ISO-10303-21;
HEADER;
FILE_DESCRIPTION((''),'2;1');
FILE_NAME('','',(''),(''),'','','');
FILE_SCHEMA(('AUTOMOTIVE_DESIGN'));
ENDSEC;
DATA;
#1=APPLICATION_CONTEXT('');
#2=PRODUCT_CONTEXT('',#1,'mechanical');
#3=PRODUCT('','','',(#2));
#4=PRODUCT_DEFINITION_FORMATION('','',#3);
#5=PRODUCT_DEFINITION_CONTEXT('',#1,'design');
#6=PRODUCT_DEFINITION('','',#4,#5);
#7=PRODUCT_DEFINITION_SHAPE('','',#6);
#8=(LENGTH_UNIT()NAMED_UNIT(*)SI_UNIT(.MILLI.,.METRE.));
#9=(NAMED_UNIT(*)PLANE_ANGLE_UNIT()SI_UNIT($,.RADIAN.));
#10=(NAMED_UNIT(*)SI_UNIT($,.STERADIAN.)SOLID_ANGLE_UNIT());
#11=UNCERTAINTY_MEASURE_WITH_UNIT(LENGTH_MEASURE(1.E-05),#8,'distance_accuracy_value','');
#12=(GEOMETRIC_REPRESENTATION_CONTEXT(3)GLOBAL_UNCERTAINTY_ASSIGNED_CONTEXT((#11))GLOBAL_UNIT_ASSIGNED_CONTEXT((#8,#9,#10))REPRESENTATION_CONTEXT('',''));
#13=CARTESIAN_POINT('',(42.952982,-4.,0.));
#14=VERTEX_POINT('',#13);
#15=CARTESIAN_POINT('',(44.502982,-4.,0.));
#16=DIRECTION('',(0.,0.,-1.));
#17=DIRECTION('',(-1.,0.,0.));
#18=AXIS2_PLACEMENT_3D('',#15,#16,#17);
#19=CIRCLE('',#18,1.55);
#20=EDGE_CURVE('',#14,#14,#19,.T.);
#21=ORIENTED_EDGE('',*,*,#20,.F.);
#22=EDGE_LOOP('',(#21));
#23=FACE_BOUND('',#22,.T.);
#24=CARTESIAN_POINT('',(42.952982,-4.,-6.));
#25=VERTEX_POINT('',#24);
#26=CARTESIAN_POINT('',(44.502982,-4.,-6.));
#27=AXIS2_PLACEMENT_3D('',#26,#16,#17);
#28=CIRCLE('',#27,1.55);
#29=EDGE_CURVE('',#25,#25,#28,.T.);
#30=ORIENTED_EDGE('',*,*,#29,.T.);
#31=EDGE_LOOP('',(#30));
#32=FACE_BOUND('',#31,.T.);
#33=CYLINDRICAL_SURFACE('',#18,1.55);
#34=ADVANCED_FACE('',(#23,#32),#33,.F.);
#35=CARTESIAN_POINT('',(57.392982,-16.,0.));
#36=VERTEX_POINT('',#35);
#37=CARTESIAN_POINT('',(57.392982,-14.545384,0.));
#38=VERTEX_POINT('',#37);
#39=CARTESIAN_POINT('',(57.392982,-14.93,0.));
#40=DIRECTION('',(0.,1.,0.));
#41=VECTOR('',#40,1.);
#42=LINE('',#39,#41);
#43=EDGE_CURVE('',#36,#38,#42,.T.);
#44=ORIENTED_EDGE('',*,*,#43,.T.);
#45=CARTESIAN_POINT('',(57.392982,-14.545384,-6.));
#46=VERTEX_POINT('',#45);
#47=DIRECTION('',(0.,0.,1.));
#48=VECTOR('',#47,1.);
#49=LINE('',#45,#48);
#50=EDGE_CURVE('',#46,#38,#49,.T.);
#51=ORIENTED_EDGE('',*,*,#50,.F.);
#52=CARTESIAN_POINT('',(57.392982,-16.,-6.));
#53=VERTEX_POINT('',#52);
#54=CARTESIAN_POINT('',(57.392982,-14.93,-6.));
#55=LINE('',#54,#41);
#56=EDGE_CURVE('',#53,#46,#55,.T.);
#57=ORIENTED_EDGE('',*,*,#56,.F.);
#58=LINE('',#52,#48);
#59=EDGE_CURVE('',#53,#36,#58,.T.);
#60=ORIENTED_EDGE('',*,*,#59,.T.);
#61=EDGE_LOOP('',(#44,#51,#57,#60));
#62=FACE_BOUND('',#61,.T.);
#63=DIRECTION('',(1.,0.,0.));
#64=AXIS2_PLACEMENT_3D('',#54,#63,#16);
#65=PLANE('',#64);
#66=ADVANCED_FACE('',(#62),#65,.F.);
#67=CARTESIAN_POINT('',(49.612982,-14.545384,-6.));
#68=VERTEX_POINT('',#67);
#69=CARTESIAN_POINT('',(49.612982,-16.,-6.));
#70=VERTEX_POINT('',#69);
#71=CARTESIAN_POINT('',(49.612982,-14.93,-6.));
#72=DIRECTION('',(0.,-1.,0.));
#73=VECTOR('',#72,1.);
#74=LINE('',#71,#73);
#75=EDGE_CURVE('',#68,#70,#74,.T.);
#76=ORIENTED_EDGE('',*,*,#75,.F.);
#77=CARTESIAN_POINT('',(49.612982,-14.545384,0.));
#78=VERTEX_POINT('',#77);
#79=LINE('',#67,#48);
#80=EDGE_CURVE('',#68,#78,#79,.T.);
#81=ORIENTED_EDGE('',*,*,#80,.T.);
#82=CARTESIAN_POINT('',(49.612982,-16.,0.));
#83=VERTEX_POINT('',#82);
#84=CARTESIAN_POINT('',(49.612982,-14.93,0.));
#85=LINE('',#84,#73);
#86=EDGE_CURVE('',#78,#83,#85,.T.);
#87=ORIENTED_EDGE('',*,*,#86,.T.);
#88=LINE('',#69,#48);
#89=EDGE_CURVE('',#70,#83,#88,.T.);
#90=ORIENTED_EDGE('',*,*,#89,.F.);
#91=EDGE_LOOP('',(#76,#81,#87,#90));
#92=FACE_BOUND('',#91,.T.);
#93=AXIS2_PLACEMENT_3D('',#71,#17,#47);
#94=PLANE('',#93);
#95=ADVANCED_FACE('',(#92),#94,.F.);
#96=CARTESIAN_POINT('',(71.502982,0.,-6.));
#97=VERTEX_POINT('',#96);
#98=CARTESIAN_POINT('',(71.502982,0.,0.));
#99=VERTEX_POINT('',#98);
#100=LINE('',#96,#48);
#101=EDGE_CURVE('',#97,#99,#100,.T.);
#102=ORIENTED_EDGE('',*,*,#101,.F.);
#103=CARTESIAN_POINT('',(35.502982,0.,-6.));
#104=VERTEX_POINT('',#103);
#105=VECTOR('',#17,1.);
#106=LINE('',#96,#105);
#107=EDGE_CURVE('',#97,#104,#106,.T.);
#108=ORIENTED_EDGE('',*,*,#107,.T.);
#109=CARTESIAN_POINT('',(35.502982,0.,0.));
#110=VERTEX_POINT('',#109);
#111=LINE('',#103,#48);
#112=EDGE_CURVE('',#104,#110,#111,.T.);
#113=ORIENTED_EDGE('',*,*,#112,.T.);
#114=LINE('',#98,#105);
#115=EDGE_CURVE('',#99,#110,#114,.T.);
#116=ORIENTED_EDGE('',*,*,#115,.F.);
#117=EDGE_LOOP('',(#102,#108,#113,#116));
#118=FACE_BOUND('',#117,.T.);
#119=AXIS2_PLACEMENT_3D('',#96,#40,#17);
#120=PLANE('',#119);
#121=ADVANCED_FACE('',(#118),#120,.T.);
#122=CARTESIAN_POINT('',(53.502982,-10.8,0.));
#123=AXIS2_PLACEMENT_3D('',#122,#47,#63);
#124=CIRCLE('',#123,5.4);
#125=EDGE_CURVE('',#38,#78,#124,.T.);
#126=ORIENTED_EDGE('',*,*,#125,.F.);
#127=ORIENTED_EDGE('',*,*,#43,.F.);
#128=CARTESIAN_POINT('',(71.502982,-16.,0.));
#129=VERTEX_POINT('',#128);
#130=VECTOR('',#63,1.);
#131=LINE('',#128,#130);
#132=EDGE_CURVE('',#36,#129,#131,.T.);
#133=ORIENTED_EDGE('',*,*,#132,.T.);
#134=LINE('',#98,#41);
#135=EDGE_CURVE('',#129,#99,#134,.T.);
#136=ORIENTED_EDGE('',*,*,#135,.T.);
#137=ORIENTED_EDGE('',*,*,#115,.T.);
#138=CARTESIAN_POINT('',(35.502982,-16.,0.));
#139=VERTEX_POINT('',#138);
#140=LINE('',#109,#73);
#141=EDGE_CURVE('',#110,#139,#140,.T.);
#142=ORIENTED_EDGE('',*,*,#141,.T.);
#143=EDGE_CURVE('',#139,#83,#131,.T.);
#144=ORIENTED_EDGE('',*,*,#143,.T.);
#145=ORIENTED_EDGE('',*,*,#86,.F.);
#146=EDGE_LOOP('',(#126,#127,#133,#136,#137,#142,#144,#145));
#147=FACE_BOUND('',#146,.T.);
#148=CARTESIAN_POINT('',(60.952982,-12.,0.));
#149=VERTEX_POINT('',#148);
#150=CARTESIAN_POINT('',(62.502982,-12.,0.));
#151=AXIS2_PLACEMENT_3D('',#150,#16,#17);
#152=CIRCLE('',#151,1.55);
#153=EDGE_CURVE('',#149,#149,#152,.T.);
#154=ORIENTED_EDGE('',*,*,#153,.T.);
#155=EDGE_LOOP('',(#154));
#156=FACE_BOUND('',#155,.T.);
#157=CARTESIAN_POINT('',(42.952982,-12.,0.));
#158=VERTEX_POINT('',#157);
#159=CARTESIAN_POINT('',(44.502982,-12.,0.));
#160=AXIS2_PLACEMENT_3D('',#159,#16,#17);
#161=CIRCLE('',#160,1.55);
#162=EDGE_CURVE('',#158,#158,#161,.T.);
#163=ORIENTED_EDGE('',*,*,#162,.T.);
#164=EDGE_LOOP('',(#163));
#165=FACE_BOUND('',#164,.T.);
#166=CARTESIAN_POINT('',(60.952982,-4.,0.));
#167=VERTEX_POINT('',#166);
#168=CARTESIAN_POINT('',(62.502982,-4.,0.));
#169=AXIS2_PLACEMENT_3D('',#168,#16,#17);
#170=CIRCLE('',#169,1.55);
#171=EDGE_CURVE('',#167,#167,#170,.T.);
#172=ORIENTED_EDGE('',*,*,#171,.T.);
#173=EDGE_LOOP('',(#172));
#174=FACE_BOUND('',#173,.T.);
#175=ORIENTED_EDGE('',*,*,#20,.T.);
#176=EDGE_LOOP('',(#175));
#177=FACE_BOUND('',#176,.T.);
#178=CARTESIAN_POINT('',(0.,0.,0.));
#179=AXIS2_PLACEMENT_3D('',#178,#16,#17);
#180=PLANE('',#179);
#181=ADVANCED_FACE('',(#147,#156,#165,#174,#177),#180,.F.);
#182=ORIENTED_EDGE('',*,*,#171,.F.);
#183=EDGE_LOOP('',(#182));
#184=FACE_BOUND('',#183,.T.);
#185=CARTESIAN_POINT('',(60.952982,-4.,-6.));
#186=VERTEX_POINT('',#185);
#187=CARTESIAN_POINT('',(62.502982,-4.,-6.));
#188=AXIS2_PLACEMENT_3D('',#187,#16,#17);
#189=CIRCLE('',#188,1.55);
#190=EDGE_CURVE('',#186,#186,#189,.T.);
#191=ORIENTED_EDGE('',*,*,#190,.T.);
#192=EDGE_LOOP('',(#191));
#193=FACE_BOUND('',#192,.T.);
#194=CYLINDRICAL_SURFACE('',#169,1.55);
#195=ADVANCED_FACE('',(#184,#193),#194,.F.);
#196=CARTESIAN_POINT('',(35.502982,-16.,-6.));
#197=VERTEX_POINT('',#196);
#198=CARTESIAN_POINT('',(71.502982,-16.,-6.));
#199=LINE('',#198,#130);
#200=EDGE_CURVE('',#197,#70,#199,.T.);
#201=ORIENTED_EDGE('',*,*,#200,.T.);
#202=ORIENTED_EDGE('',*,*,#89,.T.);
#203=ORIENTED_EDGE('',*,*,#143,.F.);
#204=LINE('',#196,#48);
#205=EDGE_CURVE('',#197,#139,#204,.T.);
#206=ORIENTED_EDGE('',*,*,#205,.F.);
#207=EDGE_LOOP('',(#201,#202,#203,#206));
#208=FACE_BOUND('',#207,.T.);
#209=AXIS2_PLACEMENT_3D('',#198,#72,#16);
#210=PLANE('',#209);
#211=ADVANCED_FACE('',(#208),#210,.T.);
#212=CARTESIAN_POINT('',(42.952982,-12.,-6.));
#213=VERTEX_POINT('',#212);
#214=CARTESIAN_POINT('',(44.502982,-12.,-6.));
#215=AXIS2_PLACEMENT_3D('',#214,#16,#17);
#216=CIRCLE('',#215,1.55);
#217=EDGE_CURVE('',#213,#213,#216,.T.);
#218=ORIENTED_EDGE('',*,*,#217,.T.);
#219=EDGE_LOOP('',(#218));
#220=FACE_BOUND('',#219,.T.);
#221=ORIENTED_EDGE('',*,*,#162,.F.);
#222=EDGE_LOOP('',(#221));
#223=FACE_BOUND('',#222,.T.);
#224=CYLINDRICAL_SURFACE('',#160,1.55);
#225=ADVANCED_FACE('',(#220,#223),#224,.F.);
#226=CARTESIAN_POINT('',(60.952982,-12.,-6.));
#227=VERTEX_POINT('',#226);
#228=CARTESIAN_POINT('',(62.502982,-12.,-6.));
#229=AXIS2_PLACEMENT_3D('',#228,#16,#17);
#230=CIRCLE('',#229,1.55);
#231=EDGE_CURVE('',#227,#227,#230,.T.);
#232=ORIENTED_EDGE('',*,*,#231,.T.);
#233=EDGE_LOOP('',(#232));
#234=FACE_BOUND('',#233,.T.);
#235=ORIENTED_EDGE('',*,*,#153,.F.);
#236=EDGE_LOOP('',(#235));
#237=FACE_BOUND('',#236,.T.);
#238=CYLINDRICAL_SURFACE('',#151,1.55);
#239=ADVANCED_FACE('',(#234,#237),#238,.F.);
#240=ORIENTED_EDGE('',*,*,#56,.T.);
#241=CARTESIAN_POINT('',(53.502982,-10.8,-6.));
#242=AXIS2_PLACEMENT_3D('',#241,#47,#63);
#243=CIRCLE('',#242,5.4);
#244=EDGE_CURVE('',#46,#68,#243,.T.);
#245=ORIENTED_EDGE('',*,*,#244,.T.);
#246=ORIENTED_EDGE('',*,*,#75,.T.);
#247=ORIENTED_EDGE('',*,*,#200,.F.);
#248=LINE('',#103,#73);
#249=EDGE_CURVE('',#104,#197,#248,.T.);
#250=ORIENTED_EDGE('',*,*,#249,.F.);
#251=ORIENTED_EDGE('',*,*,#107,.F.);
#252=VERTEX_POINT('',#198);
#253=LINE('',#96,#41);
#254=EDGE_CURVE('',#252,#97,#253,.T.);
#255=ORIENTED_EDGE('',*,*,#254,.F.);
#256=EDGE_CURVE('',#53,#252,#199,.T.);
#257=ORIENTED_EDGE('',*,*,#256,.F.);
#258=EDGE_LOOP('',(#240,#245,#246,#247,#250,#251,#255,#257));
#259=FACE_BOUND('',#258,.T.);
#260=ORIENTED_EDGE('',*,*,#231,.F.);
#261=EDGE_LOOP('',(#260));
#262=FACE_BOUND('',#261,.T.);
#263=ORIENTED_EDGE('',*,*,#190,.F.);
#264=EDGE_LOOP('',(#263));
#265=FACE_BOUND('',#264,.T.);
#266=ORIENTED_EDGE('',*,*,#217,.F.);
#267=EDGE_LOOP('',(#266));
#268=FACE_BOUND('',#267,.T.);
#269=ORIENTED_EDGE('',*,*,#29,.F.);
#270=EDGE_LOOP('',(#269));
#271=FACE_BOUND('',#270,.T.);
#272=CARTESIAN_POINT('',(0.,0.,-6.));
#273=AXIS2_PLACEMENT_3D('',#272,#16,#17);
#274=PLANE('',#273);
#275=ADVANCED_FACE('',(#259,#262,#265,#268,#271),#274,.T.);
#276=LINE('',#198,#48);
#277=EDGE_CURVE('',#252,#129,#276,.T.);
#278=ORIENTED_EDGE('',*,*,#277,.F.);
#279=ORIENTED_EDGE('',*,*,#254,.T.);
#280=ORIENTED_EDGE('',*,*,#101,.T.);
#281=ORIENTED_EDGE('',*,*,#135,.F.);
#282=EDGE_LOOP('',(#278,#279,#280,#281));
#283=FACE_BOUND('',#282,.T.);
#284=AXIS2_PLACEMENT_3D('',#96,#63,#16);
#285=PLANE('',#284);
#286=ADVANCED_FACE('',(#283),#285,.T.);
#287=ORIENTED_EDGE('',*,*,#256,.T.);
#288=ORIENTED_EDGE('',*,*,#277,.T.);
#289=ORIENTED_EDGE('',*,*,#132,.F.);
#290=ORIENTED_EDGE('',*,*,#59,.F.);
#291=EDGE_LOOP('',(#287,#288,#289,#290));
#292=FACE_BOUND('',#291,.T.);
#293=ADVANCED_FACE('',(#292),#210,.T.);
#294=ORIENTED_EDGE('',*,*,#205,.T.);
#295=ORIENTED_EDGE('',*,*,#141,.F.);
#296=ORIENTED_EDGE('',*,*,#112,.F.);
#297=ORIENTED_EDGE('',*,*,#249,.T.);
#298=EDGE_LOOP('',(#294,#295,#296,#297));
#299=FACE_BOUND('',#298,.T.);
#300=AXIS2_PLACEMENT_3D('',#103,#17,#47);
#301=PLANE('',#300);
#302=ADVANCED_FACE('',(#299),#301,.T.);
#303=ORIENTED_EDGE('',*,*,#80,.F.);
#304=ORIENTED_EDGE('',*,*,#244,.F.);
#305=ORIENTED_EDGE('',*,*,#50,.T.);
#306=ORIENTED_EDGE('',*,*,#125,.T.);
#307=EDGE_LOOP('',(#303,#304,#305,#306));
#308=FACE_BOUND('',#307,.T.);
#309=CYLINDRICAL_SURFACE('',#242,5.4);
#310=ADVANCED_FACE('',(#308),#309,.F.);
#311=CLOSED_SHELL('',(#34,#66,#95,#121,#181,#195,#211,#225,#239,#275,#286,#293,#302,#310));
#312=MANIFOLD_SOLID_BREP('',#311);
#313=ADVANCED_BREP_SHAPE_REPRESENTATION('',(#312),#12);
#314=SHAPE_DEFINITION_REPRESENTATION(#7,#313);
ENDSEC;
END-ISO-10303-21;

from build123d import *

# Parameters (mm, degrees)
SZKIC1_W                    = 36
SZKIC1_H                    = 16
DODANIE_WYCI_GNI_CIE1_DEPTH = 6
WYTNIJ_WYCI_GNI_CIE1_DEPTH  = 6
SZKIC3_R                    = 1.55
WYTNIJ_WYCI_GNI_CIE2_DEPTH  = 74.51650454


with BuildPart() as part:
    # Szkic1 → Dodanie-wyciągnięcie1 (new body)
    with BuildSketch(Plane.XY):
        with Locations((53.502982034, -8)):
            Rectangle(SZKIC1_W, SZKIC1_H)
    extrude(amount=-DODANIE_WYCI_GNI_CIE1_DEPTH)

    # Szkic2 → Wytnij-wyciągnięcie1 (cut)
    with BuildSketch(Plane.XY):
        with BuildLine():
            Line((49.612982034, -14.93), (49.612982034, -16))
            Line((49.612982034, -16), (57.392982034, -16))
            Line((57.392982034, -16), (57.392982034, -14.93))
            Line((57.392982034, -14.93), (57.392982034, -14.545383825))
            ThreePointArc((57.392982034, -14.545383825), (53.502982034, -5.4), (49.612982034, -14.545383825))
            Line((49.612982034, -14.545383825), (49.612982034, -14.93))
        make_face()
    extrude(amount=-WYTNIJ_WYCI_GNI_CIE1_DEPTH, mode=Mode.SUBTRACT)

    # Szkic3 → Wytnij-wyciągnięcie2 (cut, through all)
    with BuildSketch(Plane(origin=(0, 0, -6), x_dir=(-1, 0, 0), z_dir=(0, 0, -1))):
        with Locations((-44.502982034, -12)):
            Circle(SZKIC3_R)
        with Locations((-44.502982034, -4)):
            Circle(SZKIC3_R)
        with Locations((-62.502982034, -12)):
            Circle(SZKIC3_R)
        with Locations((-62.502982034, -4)):
            Circle(SZKIC3_R)
    extrude(amount=-WYTNIJ_WYCI_GNI_CIE2_DEPTH, mode=Mode.SUBTRACT)


solid = part.part
